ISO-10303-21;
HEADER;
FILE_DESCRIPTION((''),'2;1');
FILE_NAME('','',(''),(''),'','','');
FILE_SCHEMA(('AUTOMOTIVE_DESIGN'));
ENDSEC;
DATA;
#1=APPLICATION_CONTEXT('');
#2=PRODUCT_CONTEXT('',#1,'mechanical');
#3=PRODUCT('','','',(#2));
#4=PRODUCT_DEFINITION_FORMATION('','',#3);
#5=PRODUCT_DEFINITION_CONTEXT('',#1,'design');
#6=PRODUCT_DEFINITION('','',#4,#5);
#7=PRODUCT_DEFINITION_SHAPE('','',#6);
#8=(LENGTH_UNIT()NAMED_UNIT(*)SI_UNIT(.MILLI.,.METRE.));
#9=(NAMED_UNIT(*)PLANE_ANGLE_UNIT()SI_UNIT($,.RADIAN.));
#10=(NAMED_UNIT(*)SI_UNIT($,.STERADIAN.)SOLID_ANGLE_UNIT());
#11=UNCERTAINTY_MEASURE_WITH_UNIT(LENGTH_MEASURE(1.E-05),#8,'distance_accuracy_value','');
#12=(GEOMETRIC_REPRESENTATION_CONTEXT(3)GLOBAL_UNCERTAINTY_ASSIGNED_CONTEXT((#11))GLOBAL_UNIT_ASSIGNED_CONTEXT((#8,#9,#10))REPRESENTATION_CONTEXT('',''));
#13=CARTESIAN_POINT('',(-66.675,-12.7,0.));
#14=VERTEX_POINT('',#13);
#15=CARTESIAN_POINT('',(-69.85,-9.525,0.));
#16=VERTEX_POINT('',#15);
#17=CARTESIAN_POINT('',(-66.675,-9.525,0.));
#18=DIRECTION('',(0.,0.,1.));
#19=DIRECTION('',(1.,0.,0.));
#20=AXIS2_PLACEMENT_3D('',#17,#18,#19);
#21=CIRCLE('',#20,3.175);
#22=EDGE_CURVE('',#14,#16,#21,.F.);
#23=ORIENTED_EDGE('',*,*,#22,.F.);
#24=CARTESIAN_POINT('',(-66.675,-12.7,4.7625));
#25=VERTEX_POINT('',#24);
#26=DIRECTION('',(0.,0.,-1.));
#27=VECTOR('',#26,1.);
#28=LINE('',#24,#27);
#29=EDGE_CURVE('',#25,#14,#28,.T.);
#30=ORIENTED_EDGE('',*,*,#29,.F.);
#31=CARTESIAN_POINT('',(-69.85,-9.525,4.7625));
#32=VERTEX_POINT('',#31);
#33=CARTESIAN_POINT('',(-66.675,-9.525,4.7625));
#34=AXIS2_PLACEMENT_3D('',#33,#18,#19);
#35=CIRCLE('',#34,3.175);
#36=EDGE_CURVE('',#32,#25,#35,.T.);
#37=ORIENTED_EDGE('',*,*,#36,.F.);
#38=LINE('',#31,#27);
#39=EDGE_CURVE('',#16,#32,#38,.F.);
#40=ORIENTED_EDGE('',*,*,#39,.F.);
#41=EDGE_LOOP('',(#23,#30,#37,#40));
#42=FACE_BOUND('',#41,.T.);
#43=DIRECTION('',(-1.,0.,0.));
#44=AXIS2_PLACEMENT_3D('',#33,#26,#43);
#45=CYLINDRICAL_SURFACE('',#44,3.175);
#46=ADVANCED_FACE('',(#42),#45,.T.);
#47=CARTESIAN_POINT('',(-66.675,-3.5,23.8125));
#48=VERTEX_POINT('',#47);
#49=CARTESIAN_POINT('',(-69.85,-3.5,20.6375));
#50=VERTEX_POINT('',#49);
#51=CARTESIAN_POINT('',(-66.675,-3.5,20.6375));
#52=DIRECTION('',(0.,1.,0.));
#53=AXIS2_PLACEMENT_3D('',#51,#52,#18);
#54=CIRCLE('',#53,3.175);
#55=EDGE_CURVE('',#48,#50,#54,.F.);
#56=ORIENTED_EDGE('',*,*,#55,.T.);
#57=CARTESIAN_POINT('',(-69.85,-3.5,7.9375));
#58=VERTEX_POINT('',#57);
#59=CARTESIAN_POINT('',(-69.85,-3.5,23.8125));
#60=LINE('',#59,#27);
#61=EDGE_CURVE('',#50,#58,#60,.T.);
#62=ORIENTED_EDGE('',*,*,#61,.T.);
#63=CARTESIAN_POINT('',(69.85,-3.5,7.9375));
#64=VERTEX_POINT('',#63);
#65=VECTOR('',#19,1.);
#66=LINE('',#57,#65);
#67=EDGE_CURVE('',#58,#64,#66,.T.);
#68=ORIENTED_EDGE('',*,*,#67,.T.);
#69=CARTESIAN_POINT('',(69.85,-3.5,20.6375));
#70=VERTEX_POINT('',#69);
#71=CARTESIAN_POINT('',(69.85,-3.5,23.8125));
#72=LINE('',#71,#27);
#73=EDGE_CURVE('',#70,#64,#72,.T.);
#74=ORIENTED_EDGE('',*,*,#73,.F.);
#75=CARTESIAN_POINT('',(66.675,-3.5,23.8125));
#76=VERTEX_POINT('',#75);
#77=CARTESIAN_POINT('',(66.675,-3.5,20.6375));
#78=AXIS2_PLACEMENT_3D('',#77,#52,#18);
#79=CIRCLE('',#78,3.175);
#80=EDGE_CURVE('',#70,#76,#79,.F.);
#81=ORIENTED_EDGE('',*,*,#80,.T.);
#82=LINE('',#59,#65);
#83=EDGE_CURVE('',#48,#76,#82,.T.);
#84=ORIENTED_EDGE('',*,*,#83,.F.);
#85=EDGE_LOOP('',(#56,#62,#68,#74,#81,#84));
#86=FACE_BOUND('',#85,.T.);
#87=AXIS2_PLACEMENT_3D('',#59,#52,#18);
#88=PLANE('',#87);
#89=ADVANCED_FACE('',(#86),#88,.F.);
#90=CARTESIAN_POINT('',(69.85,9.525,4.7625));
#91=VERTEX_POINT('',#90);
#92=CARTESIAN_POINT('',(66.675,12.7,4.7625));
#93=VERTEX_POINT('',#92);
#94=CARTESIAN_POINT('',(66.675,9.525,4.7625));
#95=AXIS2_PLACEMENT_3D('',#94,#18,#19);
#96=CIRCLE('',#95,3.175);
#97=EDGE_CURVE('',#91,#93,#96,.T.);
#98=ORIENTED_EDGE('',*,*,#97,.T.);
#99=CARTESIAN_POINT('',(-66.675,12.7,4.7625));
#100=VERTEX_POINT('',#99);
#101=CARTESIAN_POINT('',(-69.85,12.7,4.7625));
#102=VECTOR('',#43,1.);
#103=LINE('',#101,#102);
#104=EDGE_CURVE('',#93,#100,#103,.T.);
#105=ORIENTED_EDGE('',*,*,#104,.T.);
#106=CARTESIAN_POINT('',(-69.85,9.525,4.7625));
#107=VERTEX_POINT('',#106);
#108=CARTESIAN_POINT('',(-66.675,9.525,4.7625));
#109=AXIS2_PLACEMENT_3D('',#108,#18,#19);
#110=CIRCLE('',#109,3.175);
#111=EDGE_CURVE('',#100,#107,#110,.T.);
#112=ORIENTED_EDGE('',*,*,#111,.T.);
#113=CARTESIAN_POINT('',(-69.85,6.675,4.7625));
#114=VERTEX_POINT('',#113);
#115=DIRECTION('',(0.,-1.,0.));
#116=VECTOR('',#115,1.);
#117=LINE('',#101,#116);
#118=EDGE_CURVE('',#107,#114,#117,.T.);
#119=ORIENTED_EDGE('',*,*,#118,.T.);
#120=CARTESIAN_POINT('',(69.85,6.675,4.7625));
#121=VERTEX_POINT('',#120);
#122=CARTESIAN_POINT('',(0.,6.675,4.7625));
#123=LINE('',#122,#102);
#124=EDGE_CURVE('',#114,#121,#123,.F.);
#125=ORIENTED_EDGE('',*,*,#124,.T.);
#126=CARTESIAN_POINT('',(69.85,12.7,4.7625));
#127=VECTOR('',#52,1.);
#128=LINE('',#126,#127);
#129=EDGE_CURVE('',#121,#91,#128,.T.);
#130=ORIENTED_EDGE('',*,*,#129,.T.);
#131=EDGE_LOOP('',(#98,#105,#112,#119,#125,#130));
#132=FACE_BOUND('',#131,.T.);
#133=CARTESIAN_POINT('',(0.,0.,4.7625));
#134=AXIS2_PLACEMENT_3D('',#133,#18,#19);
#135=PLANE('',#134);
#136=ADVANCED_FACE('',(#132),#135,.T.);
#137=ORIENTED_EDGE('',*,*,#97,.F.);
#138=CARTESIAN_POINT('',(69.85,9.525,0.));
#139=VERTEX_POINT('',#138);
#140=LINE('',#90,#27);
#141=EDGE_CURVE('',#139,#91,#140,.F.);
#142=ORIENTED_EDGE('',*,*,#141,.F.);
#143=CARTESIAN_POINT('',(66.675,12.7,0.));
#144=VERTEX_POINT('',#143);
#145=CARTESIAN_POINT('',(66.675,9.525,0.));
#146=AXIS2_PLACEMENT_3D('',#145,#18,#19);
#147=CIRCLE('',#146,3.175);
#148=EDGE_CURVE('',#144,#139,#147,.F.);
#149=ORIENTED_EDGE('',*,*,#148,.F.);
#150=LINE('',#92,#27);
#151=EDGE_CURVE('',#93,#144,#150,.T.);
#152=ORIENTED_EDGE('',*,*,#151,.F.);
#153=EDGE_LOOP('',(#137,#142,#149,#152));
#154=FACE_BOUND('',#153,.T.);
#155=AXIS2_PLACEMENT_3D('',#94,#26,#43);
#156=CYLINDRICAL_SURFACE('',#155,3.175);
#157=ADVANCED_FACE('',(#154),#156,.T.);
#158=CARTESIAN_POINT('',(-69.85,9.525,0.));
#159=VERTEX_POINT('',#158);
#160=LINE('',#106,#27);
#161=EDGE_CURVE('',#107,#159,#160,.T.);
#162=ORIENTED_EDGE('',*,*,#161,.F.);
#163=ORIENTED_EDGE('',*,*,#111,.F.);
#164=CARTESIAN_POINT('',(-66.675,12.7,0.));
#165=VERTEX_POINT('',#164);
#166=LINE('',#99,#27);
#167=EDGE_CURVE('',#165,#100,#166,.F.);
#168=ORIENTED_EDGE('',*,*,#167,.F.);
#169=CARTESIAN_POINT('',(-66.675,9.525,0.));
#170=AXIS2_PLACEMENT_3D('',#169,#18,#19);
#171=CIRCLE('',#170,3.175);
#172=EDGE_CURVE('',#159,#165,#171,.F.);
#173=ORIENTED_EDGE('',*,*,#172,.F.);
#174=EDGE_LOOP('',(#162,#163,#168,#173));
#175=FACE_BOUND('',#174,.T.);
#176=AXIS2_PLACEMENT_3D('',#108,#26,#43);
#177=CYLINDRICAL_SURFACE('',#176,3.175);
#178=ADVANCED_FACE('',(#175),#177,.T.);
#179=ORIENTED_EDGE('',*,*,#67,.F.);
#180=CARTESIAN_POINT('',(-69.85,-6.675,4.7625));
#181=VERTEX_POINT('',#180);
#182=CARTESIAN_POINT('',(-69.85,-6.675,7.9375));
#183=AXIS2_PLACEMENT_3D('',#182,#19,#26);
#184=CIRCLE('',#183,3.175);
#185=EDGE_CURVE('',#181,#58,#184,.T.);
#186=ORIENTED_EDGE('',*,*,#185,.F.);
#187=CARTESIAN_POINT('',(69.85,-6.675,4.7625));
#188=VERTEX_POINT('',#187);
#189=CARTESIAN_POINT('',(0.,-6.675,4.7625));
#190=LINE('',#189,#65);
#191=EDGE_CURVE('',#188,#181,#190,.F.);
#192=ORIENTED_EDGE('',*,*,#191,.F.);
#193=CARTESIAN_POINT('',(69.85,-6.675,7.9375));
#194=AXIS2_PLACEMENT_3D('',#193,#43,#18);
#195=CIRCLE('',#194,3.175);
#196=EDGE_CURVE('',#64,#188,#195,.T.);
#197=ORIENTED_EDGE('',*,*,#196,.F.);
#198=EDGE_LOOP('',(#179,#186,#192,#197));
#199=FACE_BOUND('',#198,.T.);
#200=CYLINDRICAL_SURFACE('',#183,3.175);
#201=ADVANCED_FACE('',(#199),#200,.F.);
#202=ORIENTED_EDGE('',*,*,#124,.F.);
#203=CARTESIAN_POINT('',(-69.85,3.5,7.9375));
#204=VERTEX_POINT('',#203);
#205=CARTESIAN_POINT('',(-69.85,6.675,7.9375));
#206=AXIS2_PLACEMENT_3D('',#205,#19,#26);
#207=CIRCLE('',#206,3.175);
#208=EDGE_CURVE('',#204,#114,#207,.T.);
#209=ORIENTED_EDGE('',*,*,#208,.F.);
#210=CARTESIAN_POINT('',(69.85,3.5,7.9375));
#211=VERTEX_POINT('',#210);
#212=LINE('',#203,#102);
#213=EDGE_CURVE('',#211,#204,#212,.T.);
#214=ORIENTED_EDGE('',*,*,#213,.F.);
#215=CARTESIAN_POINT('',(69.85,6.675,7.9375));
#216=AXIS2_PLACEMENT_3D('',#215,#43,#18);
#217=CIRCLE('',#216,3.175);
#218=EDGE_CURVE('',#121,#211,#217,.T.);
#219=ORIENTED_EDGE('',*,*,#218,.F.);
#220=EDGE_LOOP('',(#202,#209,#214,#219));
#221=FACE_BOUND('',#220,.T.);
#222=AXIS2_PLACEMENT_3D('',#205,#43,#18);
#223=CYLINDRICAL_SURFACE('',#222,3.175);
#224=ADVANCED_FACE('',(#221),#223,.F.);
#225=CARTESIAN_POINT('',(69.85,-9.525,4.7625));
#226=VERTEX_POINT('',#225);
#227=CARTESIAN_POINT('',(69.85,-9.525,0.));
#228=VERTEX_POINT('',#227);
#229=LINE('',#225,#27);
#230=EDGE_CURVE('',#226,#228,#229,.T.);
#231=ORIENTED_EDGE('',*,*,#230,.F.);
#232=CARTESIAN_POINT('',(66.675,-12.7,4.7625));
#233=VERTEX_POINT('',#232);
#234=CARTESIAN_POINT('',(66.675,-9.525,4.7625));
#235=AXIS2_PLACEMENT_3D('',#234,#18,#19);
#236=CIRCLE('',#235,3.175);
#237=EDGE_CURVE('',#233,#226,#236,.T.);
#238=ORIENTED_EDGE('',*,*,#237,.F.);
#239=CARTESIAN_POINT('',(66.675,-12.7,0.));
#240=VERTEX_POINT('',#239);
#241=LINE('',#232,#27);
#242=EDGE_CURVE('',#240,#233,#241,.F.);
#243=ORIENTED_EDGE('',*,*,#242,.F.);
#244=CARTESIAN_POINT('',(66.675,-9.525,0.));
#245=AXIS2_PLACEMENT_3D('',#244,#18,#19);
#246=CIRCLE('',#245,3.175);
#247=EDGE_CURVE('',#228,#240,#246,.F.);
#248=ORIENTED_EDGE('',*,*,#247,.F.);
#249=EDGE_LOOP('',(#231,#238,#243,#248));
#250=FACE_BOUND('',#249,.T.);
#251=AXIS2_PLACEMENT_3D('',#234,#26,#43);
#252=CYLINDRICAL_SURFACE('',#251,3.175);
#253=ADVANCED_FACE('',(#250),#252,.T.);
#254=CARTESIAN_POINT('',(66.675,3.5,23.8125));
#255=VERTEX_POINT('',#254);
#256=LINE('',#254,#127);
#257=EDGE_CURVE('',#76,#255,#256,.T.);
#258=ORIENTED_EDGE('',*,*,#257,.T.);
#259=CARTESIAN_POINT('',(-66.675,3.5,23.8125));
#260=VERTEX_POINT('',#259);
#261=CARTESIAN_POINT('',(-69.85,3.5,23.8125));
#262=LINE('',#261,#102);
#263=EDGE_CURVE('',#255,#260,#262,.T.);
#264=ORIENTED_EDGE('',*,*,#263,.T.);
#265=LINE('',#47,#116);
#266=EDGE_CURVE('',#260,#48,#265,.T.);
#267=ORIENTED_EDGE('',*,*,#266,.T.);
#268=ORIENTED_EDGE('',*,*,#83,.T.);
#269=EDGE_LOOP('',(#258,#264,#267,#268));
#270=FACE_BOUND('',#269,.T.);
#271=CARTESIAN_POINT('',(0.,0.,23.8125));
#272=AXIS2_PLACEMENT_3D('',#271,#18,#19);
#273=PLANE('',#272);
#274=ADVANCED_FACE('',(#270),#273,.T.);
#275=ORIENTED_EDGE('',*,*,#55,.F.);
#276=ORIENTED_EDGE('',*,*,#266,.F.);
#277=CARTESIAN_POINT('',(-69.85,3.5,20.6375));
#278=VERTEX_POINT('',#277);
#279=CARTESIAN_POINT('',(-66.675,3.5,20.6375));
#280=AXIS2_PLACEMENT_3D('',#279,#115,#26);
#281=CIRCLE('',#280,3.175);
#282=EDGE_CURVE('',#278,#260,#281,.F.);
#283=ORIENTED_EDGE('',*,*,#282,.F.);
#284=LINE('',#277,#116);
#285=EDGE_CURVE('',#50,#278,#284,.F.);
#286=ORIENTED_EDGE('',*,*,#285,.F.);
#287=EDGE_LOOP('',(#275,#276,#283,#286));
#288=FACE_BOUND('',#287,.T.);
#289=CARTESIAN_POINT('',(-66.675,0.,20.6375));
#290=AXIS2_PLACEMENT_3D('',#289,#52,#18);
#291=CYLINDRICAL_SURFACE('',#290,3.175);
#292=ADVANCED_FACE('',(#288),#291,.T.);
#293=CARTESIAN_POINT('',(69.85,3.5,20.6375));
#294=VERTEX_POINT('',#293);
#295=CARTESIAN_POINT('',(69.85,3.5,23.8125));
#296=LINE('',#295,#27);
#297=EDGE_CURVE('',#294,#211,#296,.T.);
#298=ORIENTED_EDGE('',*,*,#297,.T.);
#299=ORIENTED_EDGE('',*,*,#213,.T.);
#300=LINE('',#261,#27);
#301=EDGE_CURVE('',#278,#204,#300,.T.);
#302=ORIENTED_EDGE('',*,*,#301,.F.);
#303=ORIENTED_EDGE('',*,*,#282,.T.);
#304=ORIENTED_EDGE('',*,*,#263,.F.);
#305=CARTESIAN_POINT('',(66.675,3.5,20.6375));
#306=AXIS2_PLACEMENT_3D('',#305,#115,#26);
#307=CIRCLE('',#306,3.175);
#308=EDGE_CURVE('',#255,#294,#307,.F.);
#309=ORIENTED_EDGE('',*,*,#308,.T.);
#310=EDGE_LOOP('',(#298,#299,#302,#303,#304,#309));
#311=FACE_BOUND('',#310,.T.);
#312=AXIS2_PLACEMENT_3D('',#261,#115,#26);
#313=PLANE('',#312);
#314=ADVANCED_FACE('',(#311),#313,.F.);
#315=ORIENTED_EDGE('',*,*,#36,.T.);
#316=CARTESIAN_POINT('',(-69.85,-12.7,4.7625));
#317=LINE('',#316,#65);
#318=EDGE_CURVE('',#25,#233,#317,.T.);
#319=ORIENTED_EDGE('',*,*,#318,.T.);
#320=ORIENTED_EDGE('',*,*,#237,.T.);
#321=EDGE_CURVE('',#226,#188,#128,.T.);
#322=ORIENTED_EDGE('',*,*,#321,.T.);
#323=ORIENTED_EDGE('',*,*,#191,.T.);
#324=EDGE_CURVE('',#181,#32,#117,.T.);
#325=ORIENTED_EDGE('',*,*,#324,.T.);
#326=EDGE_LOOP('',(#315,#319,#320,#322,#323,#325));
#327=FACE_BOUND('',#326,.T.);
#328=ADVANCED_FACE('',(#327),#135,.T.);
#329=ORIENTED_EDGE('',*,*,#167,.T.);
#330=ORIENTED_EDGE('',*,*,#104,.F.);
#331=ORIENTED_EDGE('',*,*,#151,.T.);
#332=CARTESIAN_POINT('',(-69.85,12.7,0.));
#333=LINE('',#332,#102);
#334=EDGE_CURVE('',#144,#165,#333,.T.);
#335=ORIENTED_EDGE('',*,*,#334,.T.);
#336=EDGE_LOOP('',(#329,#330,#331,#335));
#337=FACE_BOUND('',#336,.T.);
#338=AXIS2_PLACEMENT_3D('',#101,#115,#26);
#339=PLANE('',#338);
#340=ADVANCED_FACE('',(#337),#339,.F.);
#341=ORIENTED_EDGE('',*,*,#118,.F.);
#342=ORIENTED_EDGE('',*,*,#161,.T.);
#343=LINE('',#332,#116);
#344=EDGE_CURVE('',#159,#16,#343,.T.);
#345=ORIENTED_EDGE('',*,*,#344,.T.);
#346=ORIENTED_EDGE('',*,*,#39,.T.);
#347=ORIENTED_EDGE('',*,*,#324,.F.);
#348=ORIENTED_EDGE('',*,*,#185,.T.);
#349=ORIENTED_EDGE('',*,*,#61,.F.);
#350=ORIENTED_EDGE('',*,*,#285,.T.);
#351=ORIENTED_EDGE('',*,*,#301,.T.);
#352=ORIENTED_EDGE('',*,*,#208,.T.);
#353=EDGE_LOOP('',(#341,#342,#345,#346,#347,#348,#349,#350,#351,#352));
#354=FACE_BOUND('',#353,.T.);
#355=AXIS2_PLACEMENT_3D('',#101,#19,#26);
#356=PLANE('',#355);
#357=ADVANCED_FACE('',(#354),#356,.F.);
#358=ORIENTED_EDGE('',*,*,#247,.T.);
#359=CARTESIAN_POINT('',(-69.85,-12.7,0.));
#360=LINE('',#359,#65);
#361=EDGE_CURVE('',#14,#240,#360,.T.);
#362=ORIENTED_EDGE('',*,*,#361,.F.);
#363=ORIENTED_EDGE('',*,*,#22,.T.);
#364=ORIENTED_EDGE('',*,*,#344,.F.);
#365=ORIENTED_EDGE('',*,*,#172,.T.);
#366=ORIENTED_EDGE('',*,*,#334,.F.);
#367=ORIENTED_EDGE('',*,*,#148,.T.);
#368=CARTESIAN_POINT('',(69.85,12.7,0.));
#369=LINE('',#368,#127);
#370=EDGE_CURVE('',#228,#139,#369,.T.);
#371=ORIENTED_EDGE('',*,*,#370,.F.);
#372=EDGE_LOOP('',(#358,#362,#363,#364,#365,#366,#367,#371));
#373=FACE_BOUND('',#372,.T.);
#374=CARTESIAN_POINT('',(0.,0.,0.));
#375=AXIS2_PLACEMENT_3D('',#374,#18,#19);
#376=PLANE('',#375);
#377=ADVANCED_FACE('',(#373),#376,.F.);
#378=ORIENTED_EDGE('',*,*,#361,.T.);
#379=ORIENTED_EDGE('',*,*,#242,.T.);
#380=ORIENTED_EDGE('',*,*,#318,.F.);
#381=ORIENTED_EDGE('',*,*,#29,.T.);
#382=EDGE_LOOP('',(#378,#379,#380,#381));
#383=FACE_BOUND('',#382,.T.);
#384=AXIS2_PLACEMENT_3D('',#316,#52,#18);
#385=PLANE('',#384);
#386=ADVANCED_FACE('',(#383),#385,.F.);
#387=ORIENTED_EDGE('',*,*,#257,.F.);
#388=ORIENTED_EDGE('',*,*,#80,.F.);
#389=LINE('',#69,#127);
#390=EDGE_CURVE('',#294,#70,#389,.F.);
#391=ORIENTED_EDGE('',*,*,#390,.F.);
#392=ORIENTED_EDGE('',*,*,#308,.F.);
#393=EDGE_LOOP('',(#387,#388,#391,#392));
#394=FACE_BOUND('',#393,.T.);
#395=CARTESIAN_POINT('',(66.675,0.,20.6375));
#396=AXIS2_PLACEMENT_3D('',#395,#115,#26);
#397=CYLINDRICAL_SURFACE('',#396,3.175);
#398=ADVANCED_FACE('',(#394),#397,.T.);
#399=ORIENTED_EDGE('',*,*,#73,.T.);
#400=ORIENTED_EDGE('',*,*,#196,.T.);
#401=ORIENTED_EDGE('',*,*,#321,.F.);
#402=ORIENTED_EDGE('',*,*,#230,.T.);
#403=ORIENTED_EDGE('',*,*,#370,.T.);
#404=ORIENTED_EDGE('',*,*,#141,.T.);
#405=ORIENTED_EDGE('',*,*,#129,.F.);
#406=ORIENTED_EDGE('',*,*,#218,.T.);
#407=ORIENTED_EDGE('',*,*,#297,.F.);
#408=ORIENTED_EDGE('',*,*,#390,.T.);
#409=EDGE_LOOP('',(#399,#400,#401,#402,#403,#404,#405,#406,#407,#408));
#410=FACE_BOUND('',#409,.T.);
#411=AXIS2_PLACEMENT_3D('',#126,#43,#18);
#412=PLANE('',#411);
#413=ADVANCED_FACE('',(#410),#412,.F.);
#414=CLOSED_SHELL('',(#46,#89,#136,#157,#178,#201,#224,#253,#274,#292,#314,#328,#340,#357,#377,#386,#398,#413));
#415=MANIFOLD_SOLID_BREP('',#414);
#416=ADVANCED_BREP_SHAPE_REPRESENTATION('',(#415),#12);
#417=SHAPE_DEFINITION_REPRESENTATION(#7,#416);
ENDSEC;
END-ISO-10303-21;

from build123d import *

# Parameters (mm, degrees)
SKETCH1_W           = 139.7
SKETCH1_H           = 25.4
BOSS_EXTRUDE1_DEPTH = 4.7625
SKETCH2_W           = 139.7
SKETCH2_H           = 7
BOSS_EXTRUDE2_DEPTH = 19.05
FILLET1_R           = 3.175


with BuildPart() as part:
    # Sketch1 → Boss-Extrude1 (new body)
    with BuildSketch(Plane.XY):
        Rectangle(SKETCH1_W, SKETCH1_H)
    extrude(amount=BOSS_EXTRUDE1_DEPTH)

    # Sketch2 → Boss-Extrude2 (add)
    with BuildSketch(Plane.XY.offset(4.7625)):
        Rectangle(SKETCH2_W, SKETCH2_H)
    extrude(amount=BOSS_EXTRUDE2_DEPTH)

    # Fillet1
    fillet1_edges = [part.edges().sort_by_distance(p)[0] for p in [
        (0, 3.5, 4.7625),
        (0, -3.5, 4.7625),
        (69.85, 0, 23.8125),
        (-69.85, 0, 23.8125),
        (69.85, -12.7, 2.38125),
        (-69.85, -12.7, 2.38125),
        (-69.85, 12.7, 2.38125),
        (69.85, 12.7, 2.38125),
    ]]
    fillet(fillet1_edges, radius=FILLET1_R)


solid = part.part
